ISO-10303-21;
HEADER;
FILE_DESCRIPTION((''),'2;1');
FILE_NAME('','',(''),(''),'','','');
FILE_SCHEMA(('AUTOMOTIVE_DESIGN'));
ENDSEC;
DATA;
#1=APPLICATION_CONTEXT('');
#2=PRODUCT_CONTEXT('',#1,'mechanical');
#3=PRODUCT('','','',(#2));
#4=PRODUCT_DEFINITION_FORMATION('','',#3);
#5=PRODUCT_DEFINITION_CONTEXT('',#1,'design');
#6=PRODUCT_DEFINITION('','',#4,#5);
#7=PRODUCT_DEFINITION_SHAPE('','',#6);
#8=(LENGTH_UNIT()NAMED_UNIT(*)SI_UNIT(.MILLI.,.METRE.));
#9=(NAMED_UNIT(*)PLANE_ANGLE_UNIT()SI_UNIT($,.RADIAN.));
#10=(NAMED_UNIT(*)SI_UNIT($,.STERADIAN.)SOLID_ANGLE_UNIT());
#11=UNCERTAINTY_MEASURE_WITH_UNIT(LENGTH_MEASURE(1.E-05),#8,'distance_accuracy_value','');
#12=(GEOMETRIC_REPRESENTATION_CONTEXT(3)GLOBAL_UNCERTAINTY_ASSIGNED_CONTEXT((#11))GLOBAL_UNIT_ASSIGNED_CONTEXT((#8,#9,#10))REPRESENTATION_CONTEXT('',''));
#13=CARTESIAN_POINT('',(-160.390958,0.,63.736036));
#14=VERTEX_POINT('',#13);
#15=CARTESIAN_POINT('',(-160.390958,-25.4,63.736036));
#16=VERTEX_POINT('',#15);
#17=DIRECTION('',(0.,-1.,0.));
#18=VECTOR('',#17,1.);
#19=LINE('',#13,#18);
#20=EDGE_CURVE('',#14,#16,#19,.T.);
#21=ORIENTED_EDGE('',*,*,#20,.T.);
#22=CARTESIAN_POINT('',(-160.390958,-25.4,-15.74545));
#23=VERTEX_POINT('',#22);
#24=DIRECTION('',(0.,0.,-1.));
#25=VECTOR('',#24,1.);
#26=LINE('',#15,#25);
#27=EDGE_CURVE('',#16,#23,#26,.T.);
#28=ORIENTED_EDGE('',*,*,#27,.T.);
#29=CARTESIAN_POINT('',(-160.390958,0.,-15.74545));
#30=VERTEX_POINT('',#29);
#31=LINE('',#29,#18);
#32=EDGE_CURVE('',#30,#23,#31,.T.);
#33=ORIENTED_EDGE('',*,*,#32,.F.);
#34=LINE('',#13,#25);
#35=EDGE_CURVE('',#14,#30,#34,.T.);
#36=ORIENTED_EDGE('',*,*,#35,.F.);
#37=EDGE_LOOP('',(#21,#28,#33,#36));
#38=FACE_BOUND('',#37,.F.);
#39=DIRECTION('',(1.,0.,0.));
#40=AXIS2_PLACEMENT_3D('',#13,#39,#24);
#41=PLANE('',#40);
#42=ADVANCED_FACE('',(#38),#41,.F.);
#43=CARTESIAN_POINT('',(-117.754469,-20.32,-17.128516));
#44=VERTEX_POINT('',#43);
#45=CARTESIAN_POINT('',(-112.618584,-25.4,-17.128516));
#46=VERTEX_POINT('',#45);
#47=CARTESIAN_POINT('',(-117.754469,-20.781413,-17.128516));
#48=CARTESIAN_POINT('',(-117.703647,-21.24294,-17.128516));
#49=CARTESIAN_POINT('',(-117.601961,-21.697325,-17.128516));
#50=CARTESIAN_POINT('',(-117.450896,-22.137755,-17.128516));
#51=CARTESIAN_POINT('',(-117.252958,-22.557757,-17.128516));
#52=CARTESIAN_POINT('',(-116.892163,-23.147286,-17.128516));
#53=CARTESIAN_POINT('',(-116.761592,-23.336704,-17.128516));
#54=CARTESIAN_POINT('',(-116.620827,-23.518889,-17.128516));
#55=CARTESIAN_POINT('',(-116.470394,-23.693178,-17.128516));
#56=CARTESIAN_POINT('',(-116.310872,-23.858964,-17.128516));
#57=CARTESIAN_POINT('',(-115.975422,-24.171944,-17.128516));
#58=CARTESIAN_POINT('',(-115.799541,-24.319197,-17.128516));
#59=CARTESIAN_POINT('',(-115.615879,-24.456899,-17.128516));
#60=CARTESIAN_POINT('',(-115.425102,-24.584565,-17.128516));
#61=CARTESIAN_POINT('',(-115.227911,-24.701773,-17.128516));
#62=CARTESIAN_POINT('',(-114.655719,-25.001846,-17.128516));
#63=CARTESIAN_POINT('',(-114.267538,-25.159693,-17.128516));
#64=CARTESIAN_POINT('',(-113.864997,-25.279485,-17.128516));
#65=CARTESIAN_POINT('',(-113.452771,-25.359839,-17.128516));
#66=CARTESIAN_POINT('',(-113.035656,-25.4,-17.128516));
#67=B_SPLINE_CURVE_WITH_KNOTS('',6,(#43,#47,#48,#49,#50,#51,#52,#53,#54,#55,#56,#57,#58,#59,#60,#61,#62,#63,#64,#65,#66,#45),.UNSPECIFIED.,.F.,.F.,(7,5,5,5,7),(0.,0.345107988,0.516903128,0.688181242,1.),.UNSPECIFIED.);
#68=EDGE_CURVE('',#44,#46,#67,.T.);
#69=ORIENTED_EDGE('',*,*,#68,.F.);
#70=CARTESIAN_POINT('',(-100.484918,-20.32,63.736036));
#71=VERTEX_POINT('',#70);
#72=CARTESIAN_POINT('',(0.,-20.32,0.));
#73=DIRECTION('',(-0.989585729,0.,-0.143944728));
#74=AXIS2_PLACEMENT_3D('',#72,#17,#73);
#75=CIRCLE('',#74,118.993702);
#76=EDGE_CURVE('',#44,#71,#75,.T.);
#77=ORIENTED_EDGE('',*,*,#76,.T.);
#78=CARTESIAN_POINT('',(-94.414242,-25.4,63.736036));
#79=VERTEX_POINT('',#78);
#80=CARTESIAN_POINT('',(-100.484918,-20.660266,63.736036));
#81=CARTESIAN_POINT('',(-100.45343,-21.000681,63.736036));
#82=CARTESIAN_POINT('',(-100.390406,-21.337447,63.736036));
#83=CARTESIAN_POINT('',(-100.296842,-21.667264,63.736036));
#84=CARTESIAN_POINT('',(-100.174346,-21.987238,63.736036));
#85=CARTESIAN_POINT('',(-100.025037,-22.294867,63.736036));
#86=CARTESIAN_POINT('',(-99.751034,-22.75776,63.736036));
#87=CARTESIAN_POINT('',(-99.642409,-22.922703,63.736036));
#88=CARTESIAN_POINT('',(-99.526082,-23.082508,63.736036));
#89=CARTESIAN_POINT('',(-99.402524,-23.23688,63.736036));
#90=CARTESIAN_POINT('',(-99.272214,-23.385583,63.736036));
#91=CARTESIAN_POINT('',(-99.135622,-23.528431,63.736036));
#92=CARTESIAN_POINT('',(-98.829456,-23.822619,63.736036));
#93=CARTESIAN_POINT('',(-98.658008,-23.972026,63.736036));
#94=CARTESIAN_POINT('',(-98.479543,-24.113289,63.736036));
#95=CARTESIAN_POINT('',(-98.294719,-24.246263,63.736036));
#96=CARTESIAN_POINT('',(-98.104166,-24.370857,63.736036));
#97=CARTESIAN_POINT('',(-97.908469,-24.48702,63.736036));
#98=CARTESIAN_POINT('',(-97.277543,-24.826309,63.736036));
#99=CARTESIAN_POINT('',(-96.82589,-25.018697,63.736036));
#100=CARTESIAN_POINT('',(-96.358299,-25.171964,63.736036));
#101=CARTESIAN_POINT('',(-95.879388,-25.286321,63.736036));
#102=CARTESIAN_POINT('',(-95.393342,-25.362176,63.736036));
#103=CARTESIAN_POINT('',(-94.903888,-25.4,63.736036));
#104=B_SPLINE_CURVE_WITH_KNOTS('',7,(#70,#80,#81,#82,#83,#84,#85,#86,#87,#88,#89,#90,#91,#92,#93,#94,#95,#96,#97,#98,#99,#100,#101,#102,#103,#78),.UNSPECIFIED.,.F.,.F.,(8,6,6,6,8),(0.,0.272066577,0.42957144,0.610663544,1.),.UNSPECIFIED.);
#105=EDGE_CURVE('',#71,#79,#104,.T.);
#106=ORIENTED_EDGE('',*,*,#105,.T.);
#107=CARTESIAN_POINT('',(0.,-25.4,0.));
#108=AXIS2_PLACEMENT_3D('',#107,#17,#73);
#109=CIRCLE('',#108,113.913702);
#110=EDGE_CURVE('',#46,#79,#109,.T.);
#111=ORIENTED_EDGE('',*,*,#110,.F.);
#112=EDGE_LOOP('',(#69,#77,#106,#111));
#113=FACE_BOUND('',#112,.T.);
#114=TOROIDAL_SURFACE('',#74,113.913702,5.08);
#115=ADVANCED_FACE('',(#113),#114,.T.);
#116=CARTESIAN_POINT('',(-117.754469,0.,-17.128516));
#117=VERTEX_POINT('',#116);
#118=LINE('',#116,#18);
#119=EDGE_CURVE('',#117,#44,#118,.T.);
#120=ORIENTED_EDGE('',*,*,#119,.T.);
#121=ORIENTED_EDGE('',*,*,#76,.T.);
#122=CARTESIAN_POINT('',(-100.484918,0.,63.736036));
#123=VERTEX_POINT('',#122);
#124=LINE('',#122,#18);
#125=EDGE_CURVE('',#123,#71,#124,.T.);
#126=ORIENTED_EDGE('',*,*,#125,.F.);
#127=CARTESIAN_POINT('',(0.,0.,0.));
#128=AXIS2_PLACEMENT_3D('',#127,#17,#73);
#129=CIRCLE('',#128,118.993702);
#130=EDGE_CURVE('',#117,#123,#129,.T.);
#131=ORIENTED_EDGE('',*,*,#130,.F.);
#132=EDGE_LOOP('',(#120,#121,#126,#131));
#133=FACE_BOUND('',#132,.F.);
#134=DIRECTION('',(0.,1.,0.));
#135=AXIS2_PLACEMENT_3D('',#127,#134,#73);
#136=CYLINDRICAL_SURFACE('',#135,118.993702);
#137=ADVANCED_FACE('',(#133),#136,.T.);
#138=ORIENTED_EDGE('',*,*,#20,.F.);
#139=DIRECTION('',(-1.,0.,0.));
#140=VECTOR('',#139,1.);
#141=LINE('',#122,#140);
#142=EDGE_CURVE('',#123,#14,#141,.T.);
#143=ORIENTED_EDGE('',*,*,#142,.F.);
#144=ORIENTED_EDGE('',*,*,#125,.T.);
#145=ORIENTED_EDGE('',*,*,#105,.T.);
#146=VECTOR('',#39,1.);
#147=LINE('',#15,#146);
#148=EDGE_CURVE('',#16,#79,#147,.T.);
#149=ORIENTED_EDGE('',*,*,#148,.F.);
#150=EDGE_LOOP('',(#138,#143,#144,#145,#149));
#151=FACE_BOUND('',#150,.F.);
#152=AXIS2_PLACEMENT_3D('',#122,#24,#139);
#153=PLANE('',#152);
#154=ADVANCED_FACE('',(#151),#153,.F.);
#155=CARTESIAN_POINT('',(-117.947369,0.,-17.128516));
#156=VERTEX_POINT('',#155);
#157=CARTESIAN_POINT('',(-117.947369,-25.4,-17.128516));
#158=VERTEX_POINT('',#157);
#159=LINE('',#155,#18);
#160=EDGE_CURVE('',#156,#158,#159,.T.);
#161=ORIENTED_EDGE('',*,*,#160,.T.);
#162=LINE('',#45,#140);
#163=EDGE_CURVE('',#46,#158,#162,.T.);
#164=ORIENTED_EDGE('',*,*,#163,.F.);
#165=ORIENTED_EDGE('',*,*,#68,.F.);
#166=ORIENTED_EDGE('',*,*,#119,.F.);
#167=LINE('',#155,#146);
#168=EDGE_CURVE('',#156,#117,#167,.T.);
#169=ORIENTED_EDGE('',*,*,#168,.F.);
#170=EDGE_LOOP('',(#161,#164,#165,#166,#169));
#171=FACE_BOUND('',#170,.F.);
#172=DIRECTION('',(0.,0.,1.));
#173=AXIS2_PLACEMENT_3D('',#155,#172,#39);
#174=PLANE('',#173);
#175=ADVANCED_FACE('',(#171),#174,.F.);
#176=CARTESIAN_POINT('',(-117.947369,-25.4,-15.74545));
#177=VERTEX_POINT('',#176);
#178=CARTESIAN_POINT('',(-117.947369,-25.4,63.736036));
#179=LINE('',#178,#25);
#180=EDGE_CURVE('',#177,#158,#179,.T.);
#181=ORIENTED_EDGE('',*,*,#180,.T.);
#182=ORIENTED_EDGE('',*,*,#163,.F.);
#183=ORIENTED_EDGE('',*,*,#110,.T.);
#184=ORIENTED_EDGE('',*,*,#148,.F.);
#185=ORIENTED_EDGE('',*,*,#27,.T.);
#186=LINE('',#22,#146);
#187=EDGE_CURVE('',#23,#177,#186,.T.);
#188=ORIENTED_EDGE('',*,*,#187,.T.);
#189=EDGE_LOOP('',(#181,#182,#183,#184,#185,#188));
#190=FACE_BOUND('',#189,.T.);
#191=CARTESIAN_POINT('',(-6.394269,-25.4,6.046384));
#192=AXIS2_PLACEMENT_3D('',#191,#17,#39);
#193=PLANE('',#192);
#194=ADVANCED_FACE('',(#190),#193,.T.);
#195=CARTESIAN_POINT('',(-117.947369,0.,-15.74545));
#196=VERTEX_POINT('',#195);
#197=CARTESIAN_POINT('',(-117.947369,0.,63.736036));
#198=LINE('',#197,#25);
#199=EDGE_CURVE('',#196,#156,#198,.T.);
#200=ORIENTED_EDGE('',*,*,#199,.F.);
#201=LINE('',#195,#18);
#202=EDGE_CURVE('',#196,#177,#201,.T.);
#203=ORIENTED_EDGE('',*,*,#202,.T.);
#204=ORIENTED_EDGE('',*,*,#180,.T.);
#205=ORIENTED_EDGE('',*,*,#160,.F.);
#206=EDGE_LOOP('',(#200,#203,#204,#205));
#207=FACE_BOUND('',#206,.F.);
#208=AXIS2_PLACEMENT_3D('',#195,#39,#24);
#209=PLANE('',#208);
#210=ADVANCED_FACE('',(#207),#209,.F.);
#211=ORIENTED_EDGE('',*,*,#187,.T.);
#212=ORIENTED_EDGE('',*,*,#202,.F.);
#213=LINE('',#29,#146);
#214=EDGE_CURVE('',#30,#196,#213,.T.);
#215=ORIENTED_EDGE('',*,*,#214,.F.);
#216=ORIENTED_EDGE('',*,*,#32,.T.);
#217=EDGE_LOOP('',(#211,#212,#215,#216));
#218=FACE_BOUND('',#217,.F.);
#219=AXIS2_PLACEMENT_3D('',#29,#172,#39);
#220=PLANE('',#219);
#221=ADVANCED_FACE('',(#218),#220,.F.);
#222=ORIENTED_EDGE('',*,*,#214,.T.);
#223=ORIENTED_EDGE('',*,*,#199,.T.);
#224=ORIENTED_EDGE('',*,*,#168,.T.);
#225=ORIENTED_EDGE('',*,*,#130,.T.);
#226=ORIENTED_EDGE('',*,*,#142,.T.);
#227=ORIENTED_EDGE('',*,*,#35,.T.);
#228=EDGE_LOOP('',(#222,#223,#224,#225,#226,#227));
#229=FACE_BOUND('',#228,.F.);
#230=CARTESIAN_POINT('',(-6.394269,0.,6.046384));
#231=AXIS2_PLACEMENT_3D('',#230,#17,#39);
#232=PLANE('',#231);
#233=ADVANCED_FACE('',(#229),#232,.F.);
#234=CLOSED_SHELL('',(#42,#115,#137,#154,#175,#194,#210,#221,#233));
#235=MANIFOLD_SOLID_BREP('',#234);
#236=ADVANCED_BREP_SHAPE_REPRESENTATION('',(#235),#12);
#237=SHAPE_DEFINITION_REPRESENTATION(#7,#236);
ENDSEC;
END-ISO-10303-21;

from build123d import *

# Parameters (mm, degrees)
F1_DEPTH = 25.4
F2_R     = 5.08


with BuildPart() as f1:
    # F0 (on Front) → F1 (new body)
    with BuildSketch(Plane.XZ):
        with BuildLine():
            ThreePointArc((-117.7544690086, -17.1285159886), (8.5866430795, -118.6834891301), (118.9937016462, 0))
            ThreePointArc((118.9937016462, 0), (33.1845499452, 114.2728606293), (-100.4849177387, 63.7360364199))
            Line((-100.4849177387, 63.7360364199), (6.5049584955, 63.7360364199))
            Line((6.5049584955, 63.7360364199), (6.5049584955, -17.1285159886))
            Line((6.5049584955, -17.1285159886), (-117.7544690086, -17.1285159886))
        make_face()
        with BuildLine():
            Line((6.5049584955, 63.7360364199), (-100.4849177387, 63.7360364199))
            ThreePointArc((-100.4849177387, 63.7360364199), (-111.8210179878, 40.6885852253), (-117.947368935, 15.7454499072))
            Line((-117.947368935, 15.7454499072), (-117.947368935, -15.7454499071))
            ThreePointArc((-117.947368935, -15.7454499071), (-117.8529478649, -16.437265923), (-117.7544690086, -17.1285159886))
            Line((-117.7544690086, -17.1285159886), (6.5049584955, -17.1285159886))
            Line((6.5049584955, -17.1285159886), (6.5049584955, 63.7360364199))
        make_face()
        with BuildLine():
            ThreePointArc((-117.947368935, 15.7454499072), (-111.8210179878, 40.6885852253), (-100.4849177387, 63.7360364199))
            Line((-100.4849177387, 63.7360364199), (-117.947368935, 63.7360364199))
            Line((-117.947368935, 63.7360364199), (-117.947368935, 15.7454499072))
        make_face()
        with BuildLine():
            Line((-117.947368935, -17.1285159886), (-117.7544690086, -17.1285159886))
            ThreePointArc((-117.7544690086, -17.1285159886), (-117.8529478649, -16.437265923), (-117.947368935, -15.7454499071))
            Line((-117.947368935, -15.7454499071), (-117.947368935, -17.1285159886))
        make_face()
        with BuildLine():
            Line((-117.947368935, -15.7454499071), (-117.947368935, 15.7454499072))
            ThreePointArc((-117.947368935, 15.7454499072), (-118.9937016462, 0), (-117.947368935, -15.7454499071))
        make_face()
        with BuildLine():
            ThreePointArc((-117.947368935, -15.7454499071), (-118.9937016462, 0), (-117.947368935, 15.7454499072))
            Line((-117.947368935, 15.7454499072), (-117.947368935, 63.7360364199))
            Line((-117.947368935, 63.7360364199), (-160.39095819, 63.7360364199))
            Line((-160.39095819, 63.7360364199), (-160.39095819, -15.7454499071))
            Line((-160.39095819, -15.7454499071), (-117.947368935, -15.7454499071))
        make_face()
    extrude(amount=F1_DEPTH)

    # F2
    f2_edges = [f1.edges().sort_by_distance(p)[0] for p in [
        (116.369568, -25.4, -24.852054),
    ]]
    fillet(f2_edges, radius=F2_R)


solid = f1.part
